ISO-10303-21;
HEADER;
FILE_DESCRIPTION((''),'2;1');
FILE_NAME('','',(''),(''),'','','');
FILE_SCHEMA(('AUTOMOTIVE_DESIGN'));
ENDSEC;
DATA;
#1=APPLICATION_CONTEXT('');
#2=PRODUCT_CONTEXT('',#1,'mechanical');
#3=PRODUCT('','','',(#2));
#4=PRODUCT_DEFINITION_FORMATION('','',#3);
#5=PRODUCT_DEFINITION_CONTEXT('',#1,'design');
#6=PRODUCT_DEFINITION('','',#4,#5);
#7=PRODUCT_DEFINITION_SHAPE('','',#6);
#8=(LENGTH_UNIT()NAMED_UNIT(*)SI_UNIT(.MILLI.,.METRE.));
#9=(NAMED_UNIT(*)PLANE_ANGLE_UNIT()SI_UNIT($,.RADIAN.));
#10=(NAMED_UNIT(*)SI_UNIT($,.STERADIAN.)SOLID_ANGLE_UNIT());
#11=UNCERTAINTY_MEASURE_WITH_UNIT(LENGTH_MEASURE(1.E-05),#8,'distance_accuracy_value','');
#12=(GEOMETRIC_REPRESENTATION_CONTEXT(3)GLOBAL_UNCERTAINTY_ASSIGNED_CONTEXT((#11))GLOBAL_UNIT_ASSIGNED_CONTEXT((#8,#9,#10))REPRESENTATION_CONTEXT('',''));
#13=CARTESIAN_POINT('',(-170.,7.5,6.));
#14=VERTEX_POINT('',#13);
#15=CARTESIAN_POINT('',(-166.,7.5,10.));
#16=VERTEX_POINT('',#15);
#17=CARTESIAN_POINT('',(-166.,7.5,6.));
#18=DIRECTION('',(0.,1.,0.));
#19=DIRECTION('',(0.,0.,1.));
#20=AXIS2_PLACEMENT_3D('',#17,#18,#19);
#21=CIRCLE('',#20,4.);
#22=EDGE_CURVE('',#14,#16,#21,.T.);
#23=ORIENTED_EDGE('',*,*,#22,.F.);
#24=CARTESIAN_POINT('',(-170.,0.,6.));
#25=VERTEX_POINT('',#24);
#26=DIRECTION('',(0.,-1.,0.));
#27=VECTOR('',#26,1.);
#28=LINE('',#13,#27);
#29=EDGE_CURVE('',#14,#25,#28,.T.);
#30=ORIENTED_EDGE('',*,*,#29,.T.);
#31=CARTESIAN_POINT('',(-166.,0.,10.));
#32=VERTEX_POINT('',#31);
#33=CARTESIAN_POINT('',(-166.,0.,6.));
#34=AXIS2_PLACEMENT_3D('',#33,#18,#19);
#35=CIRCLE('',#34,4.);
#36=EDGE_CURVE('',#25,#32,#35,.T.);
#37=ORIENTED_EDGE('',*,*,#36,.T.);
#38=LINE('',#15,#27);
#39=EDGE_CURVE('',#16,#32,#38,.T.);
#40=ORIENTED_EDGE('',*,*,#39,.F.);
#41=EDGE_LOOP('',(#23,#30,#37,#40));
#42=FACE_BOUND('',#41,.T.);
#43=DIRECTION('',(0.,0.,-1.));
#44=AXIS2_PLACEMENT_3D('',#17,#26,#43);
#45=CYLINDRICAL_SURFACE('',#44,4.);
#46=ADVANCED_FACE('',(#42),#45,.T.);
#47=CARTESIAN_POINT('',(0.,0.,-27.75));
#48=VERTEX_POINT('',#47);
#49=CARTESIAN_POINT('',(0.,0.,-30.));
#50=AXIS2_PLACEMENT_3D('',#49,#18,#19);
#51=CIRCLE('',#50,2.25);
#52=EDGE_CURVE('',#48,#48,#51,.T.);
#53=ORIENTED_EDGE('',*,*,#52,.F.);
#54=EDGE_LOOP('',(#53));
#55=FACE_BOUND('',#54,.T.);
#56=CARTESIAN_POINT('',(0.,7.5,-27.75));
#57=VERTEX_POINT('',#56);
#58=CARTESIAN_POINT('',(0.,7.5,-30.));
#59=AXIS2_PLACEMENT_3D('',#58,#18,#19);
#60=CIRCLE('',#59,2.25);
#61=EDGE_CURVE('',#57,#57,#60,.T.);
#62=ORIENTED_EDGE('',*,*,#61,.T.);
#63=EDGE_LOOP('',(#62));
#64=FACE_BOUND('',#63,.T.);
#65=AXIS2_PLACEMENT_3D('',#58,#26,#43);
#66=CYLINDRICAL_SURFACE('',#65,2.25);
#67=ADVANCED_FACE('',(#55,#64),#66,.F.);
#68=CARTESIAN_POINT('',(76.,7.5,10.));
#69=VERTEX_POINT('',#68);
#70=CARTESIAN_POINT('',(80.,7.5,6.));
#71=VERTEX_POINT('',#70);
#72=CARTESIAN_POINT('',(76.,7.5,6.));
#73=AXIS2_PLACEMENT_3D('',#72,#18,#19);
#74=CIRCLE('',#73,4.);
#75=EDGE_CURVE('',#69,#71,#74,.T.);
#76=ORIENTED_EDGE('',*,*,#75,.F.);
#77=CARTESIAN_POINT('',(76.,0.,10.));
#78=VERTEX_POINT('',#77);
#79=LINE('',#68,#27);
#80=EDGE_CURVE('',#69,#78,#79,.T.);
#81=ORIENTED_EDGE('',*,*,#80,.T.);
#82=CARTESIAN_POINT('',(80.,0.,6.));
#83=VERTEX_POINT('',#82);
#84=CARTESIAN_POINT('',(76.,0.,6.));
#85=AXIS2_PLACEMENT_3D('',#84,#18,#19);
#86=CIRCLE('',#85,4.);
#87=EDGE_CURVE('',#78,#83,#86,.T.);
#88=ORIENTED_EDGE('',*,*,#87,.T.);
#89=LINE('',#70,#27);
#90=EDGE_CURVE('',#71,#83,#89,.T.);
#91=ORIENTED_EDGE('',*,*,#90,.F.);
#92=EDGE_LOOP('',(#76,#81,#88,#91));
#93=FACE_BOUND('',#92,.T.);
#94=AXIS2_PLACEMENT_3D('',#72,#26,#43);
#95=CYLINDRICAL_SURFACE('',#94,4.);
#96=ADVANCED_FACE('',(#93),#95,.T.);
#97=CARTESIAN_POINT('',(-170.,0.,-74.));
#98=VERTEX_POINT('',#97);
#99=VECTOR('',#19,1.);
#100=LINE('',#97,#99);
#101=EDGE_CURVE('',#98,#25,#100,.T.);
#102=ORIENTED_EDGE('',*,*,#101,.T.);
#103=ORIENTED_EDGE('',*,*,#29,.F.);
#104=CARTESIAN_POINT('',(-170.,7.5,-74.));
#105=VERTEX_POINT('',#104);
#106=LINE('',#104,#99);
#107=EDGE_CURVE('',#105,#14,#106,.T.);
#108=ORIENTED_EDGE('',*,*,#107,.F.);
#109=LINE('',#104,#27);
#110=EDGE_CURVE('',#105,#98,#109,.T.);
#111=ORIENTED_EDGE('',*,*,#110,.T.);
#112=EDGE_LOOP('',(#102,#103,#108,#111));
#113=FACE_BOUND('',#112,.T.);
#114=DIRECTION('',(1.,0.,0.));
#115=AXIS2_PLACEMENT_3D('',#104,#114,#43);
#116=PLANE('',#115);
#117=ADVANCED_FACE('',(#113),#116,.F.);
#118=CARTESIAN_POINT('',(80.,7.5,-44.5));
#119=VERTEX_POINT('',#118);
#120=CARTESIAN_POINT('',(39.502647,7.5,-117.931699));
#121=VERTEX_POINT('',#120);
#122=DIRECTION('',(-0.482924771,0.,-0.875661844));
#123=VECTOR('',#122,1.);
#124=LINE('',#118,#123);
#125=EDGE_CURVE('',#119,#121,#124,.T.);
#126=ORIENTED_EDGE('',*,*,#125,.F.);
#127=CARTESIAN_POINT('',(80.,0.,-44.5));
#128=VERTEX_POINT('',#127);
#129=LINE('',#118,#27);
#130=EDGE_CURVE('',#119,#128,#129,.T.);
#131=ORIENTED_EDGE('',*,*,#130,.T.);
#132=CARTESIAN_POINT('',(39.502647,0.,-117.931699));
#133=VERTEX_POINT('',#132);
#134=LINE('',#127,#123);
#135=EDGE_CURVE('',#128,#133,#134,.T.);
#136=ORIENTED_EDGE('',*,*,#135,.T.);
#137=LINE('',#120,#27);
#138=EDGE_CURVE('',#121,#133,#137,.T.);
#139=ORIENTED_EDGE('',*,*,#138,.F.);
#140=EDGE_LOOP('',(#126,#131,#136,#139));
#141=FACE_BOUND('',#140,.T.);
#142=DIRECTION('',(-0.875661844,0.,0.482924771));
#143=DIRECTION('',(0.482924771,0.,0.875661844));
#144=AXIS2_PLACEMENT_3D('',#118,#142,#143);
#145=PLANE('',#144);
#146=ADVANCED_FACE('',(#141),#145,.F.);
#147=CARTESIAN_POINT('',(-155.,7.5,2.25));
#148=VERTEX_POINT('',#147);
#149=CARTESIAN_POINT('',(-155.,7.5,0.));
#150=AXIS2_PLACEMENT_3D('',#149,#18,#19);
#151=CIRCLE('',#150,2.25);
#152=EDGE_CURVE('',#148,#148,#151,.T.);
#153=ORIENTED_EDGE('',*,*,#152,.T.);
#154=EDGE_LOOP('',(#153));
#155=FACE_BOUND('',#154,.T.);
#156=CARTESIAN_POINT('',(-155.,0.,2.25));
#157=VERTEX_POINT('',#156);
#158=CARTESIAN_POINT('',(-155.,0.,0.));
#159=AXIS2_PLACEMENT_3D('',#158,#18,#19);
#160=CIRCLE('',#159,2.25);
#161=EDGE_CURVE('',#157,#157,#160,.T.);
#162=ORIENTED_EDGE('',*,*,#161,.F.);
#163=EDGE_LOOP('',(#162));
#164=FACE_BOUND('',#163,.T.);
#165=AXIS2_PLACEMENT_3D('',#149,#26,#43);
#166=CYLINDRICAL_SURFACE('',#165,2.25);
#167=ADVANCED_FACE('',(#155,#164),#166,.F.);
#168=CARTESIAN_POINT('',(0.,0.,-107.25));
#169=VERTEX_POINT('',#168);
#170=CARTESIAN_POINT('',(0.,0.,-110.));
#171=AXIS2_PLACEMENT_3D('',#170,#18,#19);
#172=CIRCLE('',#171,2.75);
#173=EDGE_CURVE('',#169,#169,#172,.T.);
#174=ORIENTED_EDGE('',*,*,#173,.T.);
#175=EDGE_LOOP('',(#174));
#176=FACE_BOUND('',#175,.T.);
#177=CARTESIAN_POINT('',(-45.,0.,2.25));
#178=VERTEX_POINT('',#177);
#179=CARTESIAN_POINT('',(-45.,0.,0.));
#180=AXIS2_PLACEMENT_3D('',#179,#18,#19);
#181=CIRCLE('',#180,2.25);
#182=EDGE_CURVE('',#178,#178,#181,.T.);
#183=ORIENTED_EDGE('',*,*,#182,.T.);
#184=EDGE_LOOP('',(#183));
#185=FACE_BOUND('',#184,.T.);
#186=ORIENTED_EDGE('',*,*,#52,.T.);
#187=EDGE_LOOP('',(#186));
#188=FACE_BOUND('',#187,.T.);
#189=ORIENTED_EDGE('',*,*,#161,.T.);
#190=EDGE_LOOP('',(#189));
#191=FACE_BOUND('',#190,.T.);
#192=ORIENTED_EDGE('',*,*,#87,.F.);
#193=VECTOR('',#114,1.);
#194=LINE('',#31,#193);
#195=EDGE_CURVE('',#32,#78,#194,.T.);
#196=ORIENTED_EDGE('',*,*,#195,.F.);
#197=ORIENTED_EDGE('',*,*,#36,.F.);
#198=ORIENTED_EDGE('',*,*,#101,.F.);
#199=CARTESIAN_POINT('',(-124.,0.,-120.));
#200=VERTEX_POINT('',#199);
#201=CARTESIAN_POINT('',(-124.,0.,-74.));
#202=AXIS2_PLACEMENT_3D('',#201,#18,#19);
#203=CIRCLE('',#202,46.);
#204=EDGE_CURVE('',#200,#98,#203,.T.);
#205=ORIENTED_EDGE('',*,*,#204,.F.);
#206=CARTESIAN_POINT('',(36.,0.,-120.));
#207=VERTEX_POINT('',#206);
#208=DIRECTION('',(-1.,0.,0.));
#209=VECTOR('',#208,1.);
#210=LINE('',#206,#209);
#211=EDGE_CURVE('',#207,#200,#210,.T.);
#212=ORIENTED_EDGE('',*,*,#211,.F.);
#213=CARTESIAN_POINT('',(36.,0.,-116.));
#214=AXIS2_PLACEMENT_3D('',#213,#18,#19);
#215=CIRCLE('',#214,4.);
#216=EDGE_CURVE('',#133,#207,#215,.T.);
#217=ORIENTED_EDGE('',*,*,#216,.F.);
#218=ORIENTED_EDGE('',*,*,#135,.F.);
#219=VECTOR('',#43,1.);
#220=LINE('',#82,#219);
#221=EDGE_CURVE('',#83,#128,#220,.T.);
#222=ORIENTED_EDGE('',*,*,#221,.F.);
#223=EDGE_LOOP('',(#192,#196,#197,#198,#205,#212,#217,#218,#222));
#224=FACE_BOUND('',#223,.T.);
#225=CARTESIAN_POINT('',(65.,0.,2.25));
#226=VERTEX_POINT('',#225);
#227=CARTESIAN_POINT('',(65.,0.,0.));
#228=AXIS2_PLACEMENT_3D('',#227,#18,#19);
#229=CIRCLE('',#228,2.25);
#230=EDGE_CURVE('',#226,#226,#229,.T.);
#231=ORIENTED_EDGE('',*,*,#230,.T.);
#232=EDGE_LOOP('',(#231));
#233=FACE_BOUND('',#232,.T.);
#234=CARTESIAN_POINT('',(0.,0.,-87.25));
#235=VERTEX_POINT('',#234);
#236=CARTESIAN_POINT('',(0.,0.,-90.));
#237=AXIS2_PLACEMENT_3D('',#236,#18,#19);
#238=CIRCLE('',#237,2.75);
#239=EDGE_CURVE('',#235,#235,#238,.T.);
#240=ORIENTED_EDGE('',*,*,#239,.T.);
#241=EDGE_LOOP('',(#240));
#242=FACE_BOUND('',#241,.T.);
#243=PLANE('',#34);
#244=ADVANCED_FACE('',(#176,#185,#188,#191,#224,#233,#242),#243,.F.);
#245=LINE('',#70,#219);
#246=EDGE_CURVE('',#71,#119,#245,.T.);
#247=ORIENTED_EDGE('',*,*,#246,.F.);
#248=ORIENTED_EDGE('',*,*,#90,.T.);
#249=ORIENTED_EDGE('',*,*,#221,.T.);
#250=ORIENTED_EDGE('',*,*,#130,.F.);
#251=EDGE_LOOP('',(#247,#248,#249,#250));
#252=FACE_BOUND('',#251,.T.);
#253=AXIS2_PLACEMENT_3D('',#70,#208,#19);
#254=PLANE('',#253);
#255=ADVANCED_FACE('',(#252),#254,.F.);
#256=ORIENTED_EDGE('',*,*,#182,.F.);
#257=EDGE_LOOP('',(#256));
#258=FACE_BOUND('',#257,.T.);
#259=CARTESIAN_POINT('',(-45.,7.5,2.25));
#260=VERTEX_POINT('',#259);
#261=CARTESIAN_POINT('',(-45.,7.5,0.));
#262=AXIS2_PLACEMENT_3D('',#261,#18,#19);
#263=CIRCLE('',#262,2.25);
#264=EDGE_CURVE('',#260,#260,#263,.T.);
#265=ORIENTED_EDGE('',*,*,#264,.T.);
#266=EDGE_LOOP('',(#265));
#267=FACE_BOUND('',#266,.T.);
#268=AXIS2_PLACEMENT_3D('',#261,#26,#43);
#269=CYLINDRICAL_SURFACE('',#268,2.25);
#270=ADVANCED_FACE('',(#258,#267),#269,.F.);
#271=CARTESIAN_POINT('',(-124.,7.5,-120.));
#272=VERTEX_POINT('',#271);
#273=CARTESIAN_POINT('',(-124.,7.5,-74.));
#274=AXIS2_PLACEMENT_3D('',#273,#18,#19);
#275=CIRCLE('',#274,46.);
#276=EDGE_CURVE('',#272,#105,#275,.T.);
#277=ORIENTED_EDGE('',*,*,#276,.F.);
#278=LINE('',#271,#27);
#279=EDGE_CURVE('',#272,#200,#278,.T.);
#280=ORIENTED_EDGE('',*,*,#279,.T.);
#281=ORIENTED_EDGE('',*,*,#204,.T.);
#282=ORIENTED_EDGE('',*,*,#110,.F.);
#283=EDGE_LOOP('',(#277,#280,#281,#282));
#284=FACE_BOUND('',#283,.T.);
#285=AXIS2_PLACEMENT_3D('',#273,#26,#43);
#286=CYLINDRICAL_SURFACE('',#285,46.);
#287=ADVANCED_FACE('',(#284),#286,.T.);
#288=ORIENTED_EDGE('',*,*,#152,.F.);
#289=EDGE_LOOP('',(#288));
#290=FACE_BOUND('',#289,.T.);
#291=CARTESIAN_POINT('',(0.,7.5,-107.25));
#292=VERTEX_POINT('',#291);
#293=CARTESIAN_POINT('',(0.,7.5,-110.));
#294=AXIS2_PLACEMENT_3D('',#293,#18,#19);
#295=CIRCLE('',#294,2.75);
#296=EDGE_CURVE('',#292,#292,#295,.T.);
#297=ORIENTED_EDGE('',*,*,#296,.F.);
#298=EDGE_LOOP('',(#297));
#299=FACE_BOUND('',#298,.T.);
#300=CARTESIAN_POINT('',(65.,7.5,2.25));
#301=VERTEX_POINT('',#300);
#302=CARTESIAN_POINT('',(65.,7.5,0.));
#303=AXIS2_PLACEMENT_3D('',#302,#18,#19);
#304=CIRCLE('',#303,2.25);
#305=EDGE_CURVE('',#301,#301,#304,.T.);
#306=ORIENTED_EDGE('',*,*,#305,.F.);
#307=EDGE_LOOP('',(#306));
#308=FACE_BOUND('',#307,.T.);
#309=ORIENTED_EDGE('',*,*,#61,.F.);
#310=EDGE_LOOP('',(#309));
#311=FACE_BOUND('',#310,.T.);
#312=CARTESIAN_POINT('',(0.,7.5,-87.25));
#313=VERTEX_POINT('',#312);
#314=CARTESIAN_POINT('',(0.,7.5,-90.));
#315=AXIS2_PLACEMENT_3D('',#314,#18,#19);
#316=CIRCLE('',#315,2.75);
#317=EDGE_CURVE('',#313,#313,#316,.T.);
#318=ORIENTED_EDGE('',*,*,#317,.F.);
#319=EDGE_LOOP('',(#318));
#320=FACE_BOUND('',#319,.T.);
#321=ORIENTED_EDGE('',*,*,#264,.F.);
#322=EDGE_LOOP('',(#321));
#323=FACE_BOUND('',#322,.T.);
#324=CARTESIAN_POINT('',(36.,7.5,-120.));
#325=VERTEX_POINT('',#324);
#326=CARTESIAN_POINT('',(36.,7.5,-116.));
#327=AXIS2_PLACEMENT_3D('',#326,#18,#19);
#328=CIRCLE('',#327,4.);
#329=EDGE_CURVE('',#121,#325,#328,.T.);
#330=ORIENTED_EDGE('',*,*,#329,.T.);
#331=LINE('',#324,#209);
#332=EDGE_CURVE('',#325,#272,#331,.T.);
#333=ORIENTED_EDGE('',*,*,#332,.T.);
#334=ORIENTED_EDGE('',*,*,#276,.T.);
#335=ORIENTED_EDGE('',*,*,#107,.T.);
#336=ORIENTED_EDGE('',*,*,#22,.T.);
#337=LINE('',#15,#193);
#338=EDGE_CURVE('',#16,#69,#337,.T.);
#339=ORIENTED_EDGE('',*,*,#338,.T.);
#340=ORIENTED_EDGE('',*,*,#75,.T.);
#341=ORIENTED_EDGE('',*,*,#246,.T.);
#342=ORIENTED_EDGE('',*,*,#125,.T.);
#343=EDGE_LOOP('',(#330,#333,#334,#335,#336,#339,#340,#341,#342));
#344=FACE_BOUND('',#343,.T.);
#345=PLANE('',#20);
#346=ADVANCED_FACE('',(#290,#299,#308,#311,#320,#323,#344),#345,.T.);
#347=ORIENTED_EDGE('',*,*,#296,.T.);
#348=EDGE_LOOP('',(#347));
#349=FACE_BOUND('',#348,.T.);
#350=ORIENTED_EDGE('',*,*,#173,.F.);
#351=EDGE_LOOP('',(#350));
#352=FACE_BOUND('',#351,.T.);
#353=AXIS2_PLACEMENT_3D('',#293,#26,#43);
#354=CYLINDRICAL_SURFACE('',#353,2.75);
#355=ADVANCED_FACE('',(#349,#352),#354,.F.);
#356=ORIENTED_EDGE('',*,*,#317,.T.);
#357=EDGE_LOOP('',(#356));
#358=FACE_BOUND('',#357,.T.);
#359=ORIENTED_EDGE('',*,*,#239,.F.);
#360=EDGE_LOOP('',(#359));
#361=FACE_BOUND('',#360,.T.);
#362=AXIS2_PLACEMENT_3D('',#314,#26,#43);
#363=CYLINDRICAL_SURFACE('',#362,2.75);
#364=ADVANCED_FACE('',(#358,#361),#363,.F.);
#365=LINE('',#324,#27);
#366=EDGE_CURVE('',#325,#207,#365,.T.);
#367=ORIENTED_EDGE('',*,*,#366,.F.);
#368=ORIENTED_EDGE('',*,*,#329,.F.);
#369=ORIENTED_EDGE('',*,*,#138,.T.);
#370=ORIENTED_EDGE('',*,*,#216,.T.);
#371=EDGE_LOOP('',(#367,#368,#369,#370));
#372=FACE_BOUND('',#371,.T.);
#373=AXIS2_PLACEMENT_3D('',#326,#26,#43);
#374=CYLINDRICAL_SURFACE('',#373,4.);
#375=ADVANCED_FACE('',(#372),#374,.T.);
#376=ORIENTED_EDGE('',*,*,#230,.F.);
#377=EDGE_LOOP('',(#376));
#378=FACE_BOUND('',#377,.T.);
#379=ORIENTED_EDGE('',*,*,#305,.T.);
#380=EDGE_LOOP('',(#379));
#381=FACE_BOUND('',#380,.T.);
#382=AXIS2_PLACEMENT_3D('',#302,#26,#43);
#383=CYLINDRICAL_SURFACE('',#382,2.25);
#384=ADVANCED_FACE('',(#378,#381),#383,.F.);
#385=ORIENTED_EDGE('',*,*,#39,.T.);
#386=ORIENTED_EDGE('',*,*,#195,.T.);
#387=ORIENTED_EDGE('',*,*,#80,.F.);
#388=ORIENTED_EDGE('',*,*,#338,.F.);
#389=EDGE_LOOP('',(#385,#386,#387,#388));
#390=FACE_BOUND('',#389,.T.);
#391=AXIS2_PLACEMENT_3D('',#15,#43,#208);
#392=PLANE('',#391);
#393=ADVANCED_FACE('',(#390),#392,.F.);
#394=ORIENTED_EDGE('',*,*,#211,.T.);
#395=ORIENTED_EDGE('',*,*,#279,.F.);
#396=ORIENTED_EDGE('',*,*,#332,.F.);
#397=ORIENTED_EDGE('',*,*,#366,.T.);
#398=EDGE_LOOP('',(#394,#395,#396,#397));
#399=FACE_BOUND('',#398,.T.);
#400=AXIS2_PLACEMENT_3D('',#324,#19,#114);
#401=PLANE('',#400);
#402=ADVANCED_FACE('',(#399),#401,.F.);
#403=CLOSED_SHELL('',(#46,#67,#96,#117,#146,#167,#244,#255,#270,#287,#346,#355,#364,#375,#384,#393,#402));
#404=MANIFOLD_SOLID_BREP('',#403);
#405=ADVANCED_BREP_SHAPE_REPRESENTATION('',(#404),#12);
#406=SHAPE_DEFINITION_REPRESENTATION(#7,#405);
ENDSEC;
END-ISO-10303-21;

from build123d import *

# Parameters (mm, degrees)
SKETCH1_R           = 2.25
SKETCH1_R_2         = 2.75
BOSS_EXTRUDE1_DEPTH = 7.5


with BuildPart() as part:
    # Sketch1 → Boss-Extrude1 (new body)
    with BuildSketch(Plane(origin=(0, 0, 0), x_dir=(1, 0, 0), z_dir=(0, 1, 0))):
        with BuildLine():
            Line((-166, -10), (76, -10))
            ThreePointArc((76, -10), (78.828427125, -8.828427125), (80, -6))
            Line((80, -6), (80, 44.5))
            Line((80, 44.5), (39.502647377, 117.931699085))
            ThreePointArc((39.502647377, 117.931699085), (38.033863769, 119.444328406), (36, 120))
            Line((36, 120), (-124, 120))
            ThreePointArc((-124, 120), (-156.526911935, 106.526911935), (-170, 74))
            Line((-170, 74), (-170, -6))
            ThreePointArc((-170, -6), (-168.828427125, -8.828427125), (-166, -10))
        make_face()
        with Locations(Location((65, 0, 0), (0, 0, 270))):
            Circle(SKETCH1_R, mode=Mode.SUBTRACT)
        with Locations(Location((-45, 0, 0), (0, 0, 270))):
            Circle(SKETCH1_R, mode=Mode.SUBTRACT)
        with Locations(Location((-155, 0, 0), (0, 0, 270))):
            Circle(SKETCH1_R, mode=Mode.SUBTRACT)
        with Locations(Location((0, 90, 0), (0, 0, 270))):
            Circle(SKETCH1_R_2, mode=Mode.SUBTRACT)
        with Locations(Location((0, 110, 0), (0, 0, 270))):
            Circle(SKETCH1_R_2, mode=Mode.SUBTRACT)
        with Locations(Location((0, 30, 0), (0, 0, 270))):
            Circle(SKETCH1_R, mode=Mode.SUBTRACT)
    extrude(amount=BOSS_EXTRUDE1_DEPTH)


solid = part.part
